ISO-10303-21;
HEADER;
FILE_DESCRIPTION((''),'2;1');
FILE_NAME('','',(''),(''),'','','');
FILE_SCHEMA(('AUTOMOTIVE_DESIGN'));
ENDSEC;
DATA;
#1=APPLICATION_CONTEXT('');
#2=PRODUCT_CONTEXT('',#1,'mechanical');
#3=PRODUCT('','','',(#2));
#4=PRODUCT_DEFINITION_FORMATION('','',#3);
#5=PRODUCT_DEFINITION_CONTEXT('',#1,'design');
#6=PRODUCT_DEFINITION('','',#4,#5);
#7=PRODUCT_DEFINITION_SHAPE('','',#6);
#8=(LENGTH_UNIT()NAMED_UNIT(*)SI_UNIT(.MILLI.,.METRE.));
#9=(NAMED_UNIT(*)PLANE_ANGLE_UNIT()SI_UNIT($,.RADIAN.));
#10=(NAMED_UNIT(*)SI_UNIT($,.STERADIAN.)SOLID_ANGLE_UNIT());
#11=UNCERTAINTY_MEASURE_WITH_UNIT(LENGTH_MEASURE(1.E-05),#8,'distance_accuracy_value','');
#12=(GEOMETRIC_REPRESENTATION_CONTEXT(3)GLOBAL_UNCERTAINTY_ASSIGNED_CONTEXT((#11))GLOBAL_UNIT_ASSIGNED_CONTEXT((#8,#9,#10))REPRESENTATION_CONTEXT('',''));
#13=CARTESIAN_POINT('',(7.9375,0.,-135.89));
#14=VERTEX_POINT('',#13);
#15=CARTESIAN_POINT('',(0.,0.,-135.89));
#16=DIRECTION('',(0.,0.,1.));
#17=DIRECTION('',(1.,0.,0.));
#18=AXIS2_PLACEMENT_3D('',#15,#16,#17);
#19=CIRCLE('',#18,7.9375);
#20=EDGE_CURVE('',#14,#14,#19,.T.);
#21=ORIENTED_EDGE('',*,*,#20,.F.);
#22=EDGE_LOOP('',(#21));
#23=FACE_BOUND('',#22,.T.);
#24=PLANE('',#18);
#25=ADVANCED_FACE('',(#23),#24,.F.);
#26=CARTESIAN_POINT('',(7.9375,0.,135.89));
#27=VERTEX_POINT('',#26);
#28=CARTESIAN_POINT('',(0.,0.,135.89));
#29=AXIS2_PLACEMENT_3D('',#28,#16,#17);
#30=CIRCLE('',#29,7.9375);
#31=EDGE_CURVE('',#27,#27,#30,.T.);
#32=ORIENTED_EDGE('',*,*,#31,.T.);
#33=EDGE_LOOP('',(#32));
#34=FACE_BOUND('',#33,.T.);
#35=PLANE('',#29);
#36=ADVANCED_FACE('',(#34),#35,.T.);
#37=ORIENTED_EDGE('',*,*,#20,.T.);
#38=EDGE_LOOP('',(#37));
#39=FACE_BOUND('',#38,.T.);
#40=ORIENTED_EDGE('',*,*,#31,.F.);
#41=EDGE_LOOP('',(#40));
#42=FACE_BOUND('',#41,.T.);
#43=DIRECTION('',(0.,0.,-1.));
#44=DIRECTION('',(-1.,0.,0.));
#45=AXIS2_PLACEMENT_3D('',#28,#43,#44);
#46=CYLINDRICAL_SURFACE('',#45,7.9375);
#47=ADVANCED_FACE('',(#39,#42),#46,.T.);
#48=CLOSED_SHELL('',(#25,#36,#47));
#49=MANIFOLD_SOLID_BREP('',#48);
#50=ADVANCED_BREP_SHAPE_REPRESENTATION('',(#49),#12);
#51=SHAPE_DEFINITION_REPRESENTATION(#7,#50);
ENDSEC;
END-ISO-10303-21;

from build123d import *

# Parameters (mm, degrees)
SKETCH1_R      = 7.9375
EXTRUDE1_DEPTH = 135.89


with BuildPart() as part:
    # Sketch1 → Extrude1 (new, symmetric)
    with BuildSketch(Plane.XY):
        Circle(SKETCH1_R)
    extrude(amount=EXTRUDE1_DEPTH, both=True)


solid = part.part
